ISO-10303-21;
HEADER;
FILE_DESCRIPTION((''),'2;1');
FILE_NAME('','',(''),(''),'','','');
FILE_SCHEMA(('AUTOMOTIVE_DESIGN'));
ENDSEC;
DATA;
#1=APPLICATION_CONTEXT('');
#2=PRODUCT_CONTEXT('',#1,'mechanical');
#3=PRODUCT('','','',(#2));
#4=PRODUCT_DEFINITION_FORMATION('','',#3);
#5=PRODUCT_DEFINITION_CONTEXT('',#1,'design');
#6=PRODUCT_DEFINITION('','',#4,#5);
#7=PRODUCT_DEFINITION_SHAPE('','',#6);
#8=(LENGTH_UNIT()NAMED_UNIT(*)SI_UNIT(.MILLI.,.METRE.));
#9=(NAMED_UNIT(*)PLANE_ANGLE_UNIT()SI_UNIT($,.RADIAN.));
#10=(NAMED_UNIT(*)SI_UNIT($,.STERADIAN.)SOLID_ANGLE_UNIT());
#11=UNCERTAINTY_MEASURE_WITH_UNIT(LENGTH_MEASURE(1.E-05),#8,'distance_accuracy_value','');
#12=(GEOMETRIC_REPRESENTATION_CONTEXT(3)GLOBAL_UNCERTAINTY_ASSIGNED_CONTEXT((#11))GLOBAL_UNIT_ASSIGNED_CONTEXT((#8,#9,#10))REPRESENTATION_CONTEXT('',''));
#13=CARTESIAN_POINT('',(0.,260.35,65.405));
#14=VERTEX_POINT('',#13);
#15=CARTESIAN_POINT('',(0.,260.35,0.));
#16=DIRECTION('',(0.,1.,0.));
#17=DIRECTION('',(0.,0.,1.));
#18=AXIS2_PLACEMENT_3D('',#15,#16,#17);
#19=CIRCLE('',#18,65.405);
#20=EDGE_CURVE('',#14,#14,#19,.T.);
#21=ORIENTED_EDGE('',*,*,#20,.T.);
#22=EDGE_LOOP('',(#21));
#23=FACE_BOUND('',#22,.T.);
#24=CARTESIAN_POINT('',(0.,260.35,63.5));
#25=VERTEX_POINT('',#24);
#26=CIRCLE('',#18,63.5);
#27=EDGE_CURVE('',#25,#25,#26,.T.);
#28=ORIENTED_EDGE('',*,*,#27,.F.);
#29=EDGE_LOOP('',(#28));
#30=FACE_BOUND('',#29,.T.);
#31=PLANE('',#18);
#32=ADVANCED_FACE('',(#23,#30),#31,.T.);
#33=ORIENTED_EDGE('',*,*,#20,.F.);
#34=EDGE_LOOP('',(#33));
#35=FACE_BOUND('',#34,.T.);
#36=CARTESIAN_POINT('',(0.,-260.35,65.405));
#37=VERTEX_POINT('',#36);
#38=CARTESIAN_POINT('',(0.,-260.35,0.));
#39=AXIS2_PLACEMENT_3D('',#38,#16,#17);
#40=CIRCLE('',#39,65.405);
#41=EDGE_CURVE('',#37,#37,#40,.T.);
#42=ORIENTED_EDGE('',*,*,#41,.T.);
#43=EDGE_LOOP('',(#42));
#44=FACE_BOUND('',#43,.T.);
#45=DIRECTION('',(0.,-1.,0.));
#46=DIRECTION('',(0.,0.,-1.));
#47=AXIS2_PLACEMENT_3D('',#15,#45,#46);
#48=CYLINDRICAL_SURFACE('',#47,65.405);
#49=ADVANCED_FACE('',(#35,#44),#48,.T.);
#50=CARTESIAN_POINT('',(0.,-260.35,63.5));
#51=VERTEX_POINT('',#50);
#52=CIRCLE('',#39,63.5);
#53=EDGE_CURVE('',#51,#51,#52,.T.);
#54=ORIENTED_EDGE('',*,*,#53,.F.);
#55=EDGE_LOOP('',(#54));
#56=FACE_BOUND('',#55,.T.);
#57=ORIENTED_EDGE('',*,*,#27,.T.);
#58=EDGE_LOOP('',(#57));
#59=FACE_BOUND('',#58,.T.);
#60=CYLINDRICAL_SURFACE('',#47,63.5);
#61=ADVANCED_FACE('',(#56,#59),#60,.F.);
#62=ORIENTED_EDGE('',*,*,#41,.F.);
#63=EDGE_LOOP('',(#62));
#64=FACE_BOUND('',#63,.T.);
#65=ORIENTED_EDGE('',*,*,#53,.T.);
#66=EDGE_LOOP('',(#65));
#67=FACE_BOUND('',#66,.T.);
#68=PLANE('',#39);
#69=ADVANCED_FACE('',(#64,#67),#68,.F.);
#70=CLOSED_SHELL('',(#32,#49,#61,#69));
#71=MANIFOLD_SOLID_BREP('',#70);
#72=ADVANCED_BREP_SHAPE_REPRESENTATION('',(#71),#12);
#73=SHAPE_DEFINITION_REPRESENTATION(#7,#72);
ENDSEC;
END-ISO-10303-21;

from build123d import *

# Parameters (mm, degrees)
SKETCH1_R           = 65.405
SKETCH1_R_2         = 63.5
BOSS_EXTRUDE1_DEPTH = 260.35


with BuildPart() as part:
    # Sketch1 → Boss-Extrude1 (new body, symmetric)
    with BuildSketch(Plane(origin=(0, 0, 0), x_dir=(1, 0, 0), z_dir=(0, 1, 0))):
        Circle(SKETCH1_R)
        Circle(SKETCH1_R_2, mode=Mode.SUBTRACT)
    extrude(amount=BOSS_EXTRUDE1_DEPTH, both=True)


solid = part.part
